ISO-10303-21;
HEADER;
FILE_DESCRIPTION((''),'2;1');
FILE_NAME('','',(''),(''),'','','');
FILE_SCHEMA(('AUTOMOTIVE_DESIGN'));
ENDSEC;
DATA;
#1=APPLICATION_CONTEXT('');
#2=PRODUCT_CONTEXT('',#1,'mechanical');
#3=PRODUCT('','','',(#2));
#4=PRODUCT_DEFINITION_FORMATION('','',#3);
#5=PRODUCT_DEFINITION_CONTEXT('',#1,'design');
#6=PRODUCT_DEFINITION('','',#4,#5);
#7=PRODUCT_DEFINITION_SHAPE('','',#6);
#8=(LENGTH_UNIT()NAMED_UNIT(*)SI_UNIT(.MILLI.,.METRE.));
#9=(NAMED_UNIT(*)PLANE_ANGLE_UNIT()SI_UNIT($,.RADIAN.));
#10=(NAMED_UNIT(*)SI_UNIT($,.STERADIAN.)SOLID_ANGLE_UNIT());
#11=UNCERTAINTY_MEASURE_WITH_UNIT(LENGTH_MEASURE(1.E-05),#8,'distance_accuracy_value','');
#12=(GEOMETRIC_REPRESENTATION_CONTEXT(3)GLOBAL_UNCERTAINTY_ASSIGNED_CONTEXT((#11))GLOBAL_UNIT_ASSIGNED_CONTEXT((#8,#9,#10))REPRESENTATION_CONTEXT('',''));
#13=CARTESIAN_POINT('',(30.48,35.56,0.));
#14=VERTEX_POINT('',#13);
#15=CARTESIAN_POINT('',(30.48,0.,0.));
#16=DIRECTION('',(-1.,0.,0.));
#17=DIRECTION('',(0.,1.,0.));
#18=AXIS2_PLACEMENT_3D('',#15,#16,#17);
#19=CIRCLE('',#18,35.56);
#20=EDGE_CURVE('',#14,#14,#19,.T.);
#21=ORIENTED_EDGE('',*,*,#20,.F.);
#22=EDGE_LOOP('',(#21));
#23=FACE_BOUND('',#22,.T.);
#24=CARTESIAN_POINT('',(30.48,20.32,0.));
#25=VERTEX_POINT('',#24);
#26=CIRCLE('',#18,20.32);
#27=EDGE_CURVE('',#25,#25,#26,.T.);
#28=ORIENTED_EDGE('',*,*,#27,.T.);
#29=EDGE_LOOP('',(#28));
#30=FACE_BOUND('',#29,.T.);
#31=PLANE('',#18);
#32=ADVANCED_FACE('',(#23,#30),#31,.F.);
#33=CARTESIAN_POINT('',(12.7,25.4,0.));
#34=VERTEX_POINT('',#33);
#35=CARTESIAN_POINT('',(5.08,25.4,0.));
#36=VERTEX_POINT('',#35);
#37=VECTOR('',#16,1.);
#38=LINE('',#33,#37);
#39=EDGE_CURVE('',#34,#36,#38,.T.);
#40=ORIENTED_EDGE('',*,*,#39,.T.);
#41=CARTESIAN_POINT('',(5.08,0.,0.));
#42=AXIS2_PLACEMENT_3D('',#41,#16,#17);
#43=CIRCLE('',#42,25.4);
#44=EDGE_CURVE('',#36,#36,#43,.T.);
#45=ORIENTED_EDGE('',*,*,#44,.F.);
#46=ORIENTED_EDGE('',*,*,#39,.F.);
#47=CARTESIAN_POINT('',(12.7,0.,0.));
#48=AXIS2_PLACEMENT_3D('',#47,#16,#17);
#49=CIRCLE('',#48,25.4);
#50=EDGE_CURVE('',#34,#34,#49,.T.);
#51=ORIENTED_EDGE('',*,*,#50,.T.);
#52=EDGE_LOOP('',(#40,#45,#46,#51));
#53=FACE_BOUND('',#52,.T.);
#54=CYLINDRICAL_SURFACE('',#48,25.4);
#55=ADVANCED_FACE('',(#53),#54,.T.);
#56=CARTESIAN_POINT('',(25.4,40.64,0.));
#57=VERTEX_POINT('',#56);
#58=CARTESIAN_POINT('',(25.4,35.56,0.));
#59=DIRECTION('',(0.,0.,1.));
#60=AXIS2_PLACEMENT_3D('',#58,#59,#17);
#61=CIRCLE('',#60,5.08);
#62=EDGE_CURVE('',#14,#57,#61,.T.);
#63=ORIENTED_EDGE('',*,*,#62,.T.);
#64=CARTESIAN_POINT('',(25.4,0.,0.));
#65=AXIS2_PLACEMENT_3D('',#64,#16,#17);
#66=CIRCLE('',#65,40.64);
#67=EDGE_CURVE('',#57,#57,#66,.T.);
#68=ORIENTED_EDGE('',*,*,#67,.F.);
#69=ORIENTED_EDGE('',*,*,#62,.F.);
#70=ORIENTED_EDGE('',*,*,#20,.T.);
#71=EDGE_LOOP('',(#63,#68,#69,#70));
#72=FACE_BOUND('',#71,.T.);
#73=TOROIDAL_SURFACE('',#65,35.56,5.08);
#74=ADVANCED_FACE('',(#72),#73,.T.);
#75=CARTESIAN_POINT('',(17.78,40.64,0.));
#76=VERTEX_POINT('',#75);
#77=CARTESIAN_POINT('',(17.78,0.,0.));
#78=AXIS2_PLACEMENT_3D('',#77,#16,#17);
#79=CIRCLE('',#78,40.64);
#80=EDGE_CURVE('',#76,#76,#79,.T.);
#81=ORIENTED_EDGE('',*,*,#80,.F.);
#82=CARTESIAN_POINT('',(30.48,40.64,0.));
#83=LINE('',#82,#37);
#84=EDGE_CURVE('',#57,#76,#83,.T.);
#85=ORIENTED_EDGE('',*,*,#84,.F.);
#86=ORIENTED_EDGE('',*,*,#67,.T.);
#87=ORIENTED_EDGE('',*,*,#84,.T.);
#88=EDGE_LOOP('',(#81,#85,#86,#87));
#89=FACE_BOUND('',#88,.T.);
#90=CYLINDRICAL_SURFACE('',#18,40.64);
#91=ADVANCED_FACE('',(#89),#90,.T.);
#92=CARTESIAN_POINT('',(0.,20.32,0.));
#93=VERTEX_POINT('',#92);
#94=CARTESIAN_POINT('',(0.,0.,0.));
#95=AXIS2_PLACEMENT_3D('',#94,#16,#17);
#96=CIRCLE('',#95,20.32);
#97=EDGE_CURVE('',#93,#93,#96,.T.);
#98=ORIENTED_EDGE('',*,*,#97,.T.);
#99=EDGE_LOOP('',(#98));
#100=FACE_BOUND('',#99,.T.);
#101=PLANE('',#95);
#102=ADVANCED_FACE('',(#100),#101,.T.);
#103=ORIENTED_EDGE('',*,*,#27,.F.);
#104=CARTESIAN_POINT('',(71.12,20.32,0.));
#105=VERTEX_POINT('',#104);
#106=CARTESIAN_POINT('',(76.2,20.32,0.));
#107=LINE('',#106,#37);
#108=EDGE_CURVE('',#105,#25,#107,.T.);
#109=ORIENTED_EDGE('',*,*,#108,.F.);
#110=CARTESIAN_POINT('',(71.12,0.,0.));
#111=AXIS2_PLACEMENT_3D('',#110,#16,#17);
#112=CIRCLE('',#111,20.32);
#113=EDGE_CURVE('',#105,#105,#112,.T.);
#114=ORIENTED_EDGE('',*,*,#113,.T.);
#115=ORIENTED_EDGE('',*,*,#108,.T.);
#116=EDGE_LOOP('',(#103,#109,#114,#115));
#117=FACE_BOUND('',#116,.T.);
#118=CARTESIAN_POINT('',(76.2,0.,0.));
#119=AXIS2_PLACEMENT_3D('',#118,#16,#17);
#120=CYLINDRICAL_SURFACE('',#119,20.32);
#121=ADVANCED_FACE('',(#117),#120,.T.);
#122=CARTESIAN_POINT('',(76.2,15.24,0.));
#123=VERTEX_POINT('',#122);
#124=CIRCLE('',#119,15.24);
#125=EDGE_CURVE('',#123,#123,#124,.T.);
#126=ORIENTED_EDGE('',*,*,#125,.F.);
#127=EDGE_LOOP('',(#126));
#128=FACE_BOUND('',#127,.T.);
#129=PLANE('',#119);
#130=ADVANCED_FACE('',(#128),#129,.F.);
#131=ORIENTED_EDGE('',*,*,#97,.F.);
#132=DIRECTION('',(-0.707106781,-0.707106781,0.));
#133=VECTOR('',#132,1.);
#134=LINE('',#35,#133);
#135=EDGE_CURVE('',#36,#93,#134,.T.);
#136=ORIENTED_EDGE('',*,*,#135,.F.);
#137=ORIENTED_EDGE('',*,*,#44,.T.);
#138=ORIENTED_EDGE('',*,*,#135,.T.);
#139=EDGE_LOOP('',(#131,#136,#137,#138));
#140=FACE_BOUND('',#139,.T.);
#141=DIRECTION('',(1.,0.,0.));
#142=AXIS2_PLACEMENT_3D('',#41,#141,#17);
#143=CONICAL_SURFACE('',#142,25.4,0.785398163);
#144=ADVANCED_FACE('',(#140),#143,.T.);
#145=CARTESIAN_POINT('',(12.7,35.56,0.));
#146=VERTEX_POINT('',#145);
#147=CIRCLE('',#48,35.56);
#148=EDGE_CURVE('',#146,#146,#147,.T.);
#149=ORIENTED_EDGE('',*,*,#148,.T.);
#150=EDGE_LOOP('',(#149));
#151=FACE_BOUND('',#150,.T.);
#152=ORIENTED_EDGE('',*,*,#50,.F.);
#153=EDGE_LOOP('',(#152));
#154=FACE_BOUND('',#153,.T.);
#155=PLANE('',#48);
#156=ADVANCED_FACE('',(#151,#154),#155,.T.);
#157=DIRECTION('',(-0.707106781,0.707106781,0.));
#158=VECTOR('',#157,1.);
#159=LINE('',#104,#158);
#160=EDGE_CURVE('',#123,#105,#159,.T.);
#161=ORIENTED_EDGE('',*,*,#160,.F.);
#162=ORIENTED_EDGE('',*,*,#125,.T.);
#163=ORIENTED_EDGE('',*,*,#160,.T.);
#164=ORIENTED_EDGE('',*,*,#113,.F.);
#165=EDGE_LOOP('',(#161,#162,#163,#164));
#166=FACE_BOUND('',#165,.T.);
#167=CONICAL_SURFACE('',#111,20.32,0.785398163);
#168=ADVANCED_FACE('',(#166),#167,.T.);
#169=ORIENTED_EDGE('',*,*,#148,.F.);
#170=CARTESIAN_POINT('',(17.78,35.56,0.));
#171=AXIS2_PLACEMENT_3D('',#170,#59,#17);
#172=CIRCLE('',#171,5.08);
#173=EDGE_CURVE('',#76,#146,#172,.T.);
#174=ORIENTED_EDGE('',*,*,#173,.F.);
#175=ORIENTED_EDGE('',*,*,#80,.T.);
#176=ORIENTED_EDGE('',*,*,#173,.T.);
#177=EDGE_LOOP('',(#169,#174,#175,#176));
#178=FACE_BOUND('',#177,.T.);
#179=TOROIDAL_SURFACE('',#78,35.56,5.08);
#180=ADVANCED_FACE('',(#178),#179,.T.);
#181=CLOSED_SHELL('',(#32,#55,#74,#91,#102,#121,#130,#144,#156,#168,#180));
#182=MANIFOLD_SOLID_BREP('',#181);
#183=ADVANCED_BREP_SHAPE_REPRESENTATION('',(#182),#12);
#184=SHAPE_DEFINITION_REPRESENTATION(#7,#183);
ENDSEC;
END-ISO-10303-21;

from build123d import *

# Parameters (mm, degrees)
F2_SIZE2 = 5.08
F2_SIZE  = 5.08
F3_R     = 5.08
F4_SIZE  = 5.08


with BuildPart() as f1:
    # F0 (on Top) → F1 (revolve)
    with BuildSketch(Plane.XY):
        Polygon((0, 25.4), (0, 0), (76.2, 0), (76.2, 20.32), (30.48, 20.32), (30.48, 40.64), (12.7, 40.64), (12.7, 25.4), align=None)
    revolve(axis=Axis((38.1, 0, 0), (-1, 0, 0)))

    # F2
    f2_edges = [f1.edges().sort_by_distance(p)[0] for p in [
        (76.2, -20.32, 0),
    ]]
    chamfer(f2_edges, length=F2_SIZE, length2=F2_SIZE2)

    # F3
    f3_edges = [f1.edges().sort_by_distance(p)[0] for p in [
        (12.7, -40.64, 0),
        (30.48, -40.64, 0),
    ]]
    fillet(f3_edges, radius=F3_R)

    # F4
    f4_edges = [f1.edges().sort_by_distance(p)[0] for p in [
        (0, -25.4, 0),
    ]]
    chamfer(f4_edges, length=F4_SIZE)


solid = f1.part
